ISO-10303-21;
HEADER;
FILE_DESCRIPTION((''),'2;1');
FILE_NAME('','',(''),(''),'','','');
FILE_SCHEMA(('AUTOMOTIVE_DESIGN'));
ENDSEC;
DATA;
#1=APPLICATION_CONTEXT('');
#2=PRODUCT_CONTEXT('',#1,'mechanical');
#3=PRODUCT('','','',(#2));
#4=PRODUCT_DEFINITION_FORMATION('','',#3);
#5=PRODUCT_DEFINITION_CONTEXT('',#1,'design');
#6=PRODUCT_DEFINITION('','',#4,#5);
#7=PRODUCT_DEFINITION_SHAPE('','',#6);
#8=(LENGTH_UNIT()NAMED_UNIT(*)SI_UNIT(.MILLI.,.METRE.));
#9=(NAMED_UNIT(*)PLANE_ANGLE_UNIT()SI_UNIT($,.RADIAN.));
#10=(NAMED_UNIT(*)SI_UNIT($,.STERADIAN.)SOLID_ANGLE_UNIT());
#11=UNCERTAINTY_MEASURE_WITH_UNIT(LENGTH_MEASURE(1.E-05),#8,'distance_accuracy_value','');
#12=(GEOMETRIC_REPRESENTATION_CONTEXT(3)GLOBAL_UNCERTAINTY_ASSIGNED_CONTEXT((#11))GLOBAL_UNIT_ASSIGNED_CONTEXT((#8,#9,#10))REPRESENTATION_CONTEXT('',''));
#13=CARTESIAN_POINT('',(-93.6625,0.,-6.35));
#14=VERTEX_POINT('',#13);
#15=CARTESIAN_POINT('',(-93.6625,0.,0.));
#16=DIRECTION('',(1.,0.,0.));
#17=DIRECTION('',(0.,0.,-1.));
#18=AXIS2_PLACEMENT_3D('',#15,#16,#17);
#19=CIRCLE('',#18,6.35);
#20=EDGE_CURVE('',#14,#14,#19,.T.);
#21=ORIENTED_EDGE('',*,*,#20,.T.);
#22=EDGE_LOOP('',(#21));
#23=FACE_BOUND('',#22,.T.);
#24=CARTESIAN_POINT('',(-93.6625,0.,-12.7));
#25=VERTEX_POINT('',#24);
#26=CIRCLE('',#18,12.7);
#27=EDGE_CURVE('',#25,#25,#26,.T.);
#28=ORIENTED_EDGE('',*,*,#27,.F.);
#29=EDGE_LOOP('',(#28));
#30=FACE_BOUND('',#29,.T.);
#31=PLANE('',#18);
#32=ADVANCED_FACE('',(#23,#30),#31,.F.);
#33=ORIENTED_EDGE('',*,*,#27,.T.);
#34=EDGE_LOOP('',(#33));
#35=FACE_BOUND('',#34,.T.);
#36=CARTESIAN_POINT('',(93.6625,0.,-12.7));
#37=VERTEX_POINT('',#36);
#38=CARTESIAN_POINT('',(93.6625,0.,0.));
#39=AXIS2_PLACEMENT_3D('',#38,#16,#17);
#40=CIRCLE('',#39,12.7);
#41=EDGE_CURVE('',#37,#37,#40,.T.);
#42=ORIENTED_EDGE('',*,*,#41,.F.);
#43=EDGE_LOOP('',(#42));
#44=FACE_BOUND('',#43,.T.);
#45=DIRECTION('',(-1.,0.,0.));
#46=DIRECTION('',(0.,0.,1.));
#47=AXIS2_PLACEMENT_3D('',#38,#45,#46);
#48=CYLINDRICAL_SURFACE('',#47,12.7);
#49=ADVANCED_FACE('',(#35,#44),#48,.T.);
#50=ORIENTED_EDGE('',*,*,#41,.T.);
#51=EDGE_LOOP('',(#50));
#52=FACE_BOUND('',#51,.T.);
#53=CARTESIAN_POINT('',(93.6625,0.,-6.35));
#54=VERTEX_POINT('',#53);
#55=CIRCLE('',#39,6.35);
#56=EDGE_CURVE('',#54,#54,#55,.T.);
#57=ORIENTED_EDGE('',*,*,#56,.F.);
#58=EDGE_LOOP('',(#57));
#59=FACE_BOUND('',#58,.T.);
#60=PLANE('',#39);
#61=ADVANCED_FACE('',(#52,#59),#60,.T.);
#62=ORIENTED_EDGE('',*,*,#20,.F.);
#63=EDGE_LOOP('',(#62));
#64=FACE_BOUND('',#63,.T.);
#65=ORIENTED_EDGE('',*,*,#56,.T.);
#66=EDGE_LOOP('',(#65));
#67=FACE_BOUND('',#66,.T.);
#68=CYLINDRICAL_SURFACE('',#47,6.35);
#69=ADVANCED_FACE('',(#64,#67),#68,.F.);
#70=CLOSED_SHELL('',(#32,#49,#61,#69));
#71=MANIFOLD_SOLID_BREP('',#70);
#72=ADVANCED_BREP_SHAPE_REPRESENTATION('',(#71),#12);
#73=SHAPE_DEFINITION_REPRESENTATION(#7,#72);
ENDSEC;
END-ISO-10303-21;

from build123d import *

# Parameters (mm, degrees)
SKETCH1_R           = 12.7
SKETCH1_R_2         = 6.35
BOSS_EXTRUDE1_DEPTH = 93.6625


with BuildPart() as part:
    # Sketch1 → Boss-Extrude1 (new body, symmetric)
    with BuildSketch(Plane(origin=(0, 0, 0), x_dir=(0, 0, -1), z_dir=(1, 0, 0))):
        Circle(SKETCH1_R)
        Circle(SKETCH1_R_2, mode=Mode.SUBTRACT)
    extrude(amount=BOSS_EXTRUDE1_DEPTH, both=True)


solid = part.part
